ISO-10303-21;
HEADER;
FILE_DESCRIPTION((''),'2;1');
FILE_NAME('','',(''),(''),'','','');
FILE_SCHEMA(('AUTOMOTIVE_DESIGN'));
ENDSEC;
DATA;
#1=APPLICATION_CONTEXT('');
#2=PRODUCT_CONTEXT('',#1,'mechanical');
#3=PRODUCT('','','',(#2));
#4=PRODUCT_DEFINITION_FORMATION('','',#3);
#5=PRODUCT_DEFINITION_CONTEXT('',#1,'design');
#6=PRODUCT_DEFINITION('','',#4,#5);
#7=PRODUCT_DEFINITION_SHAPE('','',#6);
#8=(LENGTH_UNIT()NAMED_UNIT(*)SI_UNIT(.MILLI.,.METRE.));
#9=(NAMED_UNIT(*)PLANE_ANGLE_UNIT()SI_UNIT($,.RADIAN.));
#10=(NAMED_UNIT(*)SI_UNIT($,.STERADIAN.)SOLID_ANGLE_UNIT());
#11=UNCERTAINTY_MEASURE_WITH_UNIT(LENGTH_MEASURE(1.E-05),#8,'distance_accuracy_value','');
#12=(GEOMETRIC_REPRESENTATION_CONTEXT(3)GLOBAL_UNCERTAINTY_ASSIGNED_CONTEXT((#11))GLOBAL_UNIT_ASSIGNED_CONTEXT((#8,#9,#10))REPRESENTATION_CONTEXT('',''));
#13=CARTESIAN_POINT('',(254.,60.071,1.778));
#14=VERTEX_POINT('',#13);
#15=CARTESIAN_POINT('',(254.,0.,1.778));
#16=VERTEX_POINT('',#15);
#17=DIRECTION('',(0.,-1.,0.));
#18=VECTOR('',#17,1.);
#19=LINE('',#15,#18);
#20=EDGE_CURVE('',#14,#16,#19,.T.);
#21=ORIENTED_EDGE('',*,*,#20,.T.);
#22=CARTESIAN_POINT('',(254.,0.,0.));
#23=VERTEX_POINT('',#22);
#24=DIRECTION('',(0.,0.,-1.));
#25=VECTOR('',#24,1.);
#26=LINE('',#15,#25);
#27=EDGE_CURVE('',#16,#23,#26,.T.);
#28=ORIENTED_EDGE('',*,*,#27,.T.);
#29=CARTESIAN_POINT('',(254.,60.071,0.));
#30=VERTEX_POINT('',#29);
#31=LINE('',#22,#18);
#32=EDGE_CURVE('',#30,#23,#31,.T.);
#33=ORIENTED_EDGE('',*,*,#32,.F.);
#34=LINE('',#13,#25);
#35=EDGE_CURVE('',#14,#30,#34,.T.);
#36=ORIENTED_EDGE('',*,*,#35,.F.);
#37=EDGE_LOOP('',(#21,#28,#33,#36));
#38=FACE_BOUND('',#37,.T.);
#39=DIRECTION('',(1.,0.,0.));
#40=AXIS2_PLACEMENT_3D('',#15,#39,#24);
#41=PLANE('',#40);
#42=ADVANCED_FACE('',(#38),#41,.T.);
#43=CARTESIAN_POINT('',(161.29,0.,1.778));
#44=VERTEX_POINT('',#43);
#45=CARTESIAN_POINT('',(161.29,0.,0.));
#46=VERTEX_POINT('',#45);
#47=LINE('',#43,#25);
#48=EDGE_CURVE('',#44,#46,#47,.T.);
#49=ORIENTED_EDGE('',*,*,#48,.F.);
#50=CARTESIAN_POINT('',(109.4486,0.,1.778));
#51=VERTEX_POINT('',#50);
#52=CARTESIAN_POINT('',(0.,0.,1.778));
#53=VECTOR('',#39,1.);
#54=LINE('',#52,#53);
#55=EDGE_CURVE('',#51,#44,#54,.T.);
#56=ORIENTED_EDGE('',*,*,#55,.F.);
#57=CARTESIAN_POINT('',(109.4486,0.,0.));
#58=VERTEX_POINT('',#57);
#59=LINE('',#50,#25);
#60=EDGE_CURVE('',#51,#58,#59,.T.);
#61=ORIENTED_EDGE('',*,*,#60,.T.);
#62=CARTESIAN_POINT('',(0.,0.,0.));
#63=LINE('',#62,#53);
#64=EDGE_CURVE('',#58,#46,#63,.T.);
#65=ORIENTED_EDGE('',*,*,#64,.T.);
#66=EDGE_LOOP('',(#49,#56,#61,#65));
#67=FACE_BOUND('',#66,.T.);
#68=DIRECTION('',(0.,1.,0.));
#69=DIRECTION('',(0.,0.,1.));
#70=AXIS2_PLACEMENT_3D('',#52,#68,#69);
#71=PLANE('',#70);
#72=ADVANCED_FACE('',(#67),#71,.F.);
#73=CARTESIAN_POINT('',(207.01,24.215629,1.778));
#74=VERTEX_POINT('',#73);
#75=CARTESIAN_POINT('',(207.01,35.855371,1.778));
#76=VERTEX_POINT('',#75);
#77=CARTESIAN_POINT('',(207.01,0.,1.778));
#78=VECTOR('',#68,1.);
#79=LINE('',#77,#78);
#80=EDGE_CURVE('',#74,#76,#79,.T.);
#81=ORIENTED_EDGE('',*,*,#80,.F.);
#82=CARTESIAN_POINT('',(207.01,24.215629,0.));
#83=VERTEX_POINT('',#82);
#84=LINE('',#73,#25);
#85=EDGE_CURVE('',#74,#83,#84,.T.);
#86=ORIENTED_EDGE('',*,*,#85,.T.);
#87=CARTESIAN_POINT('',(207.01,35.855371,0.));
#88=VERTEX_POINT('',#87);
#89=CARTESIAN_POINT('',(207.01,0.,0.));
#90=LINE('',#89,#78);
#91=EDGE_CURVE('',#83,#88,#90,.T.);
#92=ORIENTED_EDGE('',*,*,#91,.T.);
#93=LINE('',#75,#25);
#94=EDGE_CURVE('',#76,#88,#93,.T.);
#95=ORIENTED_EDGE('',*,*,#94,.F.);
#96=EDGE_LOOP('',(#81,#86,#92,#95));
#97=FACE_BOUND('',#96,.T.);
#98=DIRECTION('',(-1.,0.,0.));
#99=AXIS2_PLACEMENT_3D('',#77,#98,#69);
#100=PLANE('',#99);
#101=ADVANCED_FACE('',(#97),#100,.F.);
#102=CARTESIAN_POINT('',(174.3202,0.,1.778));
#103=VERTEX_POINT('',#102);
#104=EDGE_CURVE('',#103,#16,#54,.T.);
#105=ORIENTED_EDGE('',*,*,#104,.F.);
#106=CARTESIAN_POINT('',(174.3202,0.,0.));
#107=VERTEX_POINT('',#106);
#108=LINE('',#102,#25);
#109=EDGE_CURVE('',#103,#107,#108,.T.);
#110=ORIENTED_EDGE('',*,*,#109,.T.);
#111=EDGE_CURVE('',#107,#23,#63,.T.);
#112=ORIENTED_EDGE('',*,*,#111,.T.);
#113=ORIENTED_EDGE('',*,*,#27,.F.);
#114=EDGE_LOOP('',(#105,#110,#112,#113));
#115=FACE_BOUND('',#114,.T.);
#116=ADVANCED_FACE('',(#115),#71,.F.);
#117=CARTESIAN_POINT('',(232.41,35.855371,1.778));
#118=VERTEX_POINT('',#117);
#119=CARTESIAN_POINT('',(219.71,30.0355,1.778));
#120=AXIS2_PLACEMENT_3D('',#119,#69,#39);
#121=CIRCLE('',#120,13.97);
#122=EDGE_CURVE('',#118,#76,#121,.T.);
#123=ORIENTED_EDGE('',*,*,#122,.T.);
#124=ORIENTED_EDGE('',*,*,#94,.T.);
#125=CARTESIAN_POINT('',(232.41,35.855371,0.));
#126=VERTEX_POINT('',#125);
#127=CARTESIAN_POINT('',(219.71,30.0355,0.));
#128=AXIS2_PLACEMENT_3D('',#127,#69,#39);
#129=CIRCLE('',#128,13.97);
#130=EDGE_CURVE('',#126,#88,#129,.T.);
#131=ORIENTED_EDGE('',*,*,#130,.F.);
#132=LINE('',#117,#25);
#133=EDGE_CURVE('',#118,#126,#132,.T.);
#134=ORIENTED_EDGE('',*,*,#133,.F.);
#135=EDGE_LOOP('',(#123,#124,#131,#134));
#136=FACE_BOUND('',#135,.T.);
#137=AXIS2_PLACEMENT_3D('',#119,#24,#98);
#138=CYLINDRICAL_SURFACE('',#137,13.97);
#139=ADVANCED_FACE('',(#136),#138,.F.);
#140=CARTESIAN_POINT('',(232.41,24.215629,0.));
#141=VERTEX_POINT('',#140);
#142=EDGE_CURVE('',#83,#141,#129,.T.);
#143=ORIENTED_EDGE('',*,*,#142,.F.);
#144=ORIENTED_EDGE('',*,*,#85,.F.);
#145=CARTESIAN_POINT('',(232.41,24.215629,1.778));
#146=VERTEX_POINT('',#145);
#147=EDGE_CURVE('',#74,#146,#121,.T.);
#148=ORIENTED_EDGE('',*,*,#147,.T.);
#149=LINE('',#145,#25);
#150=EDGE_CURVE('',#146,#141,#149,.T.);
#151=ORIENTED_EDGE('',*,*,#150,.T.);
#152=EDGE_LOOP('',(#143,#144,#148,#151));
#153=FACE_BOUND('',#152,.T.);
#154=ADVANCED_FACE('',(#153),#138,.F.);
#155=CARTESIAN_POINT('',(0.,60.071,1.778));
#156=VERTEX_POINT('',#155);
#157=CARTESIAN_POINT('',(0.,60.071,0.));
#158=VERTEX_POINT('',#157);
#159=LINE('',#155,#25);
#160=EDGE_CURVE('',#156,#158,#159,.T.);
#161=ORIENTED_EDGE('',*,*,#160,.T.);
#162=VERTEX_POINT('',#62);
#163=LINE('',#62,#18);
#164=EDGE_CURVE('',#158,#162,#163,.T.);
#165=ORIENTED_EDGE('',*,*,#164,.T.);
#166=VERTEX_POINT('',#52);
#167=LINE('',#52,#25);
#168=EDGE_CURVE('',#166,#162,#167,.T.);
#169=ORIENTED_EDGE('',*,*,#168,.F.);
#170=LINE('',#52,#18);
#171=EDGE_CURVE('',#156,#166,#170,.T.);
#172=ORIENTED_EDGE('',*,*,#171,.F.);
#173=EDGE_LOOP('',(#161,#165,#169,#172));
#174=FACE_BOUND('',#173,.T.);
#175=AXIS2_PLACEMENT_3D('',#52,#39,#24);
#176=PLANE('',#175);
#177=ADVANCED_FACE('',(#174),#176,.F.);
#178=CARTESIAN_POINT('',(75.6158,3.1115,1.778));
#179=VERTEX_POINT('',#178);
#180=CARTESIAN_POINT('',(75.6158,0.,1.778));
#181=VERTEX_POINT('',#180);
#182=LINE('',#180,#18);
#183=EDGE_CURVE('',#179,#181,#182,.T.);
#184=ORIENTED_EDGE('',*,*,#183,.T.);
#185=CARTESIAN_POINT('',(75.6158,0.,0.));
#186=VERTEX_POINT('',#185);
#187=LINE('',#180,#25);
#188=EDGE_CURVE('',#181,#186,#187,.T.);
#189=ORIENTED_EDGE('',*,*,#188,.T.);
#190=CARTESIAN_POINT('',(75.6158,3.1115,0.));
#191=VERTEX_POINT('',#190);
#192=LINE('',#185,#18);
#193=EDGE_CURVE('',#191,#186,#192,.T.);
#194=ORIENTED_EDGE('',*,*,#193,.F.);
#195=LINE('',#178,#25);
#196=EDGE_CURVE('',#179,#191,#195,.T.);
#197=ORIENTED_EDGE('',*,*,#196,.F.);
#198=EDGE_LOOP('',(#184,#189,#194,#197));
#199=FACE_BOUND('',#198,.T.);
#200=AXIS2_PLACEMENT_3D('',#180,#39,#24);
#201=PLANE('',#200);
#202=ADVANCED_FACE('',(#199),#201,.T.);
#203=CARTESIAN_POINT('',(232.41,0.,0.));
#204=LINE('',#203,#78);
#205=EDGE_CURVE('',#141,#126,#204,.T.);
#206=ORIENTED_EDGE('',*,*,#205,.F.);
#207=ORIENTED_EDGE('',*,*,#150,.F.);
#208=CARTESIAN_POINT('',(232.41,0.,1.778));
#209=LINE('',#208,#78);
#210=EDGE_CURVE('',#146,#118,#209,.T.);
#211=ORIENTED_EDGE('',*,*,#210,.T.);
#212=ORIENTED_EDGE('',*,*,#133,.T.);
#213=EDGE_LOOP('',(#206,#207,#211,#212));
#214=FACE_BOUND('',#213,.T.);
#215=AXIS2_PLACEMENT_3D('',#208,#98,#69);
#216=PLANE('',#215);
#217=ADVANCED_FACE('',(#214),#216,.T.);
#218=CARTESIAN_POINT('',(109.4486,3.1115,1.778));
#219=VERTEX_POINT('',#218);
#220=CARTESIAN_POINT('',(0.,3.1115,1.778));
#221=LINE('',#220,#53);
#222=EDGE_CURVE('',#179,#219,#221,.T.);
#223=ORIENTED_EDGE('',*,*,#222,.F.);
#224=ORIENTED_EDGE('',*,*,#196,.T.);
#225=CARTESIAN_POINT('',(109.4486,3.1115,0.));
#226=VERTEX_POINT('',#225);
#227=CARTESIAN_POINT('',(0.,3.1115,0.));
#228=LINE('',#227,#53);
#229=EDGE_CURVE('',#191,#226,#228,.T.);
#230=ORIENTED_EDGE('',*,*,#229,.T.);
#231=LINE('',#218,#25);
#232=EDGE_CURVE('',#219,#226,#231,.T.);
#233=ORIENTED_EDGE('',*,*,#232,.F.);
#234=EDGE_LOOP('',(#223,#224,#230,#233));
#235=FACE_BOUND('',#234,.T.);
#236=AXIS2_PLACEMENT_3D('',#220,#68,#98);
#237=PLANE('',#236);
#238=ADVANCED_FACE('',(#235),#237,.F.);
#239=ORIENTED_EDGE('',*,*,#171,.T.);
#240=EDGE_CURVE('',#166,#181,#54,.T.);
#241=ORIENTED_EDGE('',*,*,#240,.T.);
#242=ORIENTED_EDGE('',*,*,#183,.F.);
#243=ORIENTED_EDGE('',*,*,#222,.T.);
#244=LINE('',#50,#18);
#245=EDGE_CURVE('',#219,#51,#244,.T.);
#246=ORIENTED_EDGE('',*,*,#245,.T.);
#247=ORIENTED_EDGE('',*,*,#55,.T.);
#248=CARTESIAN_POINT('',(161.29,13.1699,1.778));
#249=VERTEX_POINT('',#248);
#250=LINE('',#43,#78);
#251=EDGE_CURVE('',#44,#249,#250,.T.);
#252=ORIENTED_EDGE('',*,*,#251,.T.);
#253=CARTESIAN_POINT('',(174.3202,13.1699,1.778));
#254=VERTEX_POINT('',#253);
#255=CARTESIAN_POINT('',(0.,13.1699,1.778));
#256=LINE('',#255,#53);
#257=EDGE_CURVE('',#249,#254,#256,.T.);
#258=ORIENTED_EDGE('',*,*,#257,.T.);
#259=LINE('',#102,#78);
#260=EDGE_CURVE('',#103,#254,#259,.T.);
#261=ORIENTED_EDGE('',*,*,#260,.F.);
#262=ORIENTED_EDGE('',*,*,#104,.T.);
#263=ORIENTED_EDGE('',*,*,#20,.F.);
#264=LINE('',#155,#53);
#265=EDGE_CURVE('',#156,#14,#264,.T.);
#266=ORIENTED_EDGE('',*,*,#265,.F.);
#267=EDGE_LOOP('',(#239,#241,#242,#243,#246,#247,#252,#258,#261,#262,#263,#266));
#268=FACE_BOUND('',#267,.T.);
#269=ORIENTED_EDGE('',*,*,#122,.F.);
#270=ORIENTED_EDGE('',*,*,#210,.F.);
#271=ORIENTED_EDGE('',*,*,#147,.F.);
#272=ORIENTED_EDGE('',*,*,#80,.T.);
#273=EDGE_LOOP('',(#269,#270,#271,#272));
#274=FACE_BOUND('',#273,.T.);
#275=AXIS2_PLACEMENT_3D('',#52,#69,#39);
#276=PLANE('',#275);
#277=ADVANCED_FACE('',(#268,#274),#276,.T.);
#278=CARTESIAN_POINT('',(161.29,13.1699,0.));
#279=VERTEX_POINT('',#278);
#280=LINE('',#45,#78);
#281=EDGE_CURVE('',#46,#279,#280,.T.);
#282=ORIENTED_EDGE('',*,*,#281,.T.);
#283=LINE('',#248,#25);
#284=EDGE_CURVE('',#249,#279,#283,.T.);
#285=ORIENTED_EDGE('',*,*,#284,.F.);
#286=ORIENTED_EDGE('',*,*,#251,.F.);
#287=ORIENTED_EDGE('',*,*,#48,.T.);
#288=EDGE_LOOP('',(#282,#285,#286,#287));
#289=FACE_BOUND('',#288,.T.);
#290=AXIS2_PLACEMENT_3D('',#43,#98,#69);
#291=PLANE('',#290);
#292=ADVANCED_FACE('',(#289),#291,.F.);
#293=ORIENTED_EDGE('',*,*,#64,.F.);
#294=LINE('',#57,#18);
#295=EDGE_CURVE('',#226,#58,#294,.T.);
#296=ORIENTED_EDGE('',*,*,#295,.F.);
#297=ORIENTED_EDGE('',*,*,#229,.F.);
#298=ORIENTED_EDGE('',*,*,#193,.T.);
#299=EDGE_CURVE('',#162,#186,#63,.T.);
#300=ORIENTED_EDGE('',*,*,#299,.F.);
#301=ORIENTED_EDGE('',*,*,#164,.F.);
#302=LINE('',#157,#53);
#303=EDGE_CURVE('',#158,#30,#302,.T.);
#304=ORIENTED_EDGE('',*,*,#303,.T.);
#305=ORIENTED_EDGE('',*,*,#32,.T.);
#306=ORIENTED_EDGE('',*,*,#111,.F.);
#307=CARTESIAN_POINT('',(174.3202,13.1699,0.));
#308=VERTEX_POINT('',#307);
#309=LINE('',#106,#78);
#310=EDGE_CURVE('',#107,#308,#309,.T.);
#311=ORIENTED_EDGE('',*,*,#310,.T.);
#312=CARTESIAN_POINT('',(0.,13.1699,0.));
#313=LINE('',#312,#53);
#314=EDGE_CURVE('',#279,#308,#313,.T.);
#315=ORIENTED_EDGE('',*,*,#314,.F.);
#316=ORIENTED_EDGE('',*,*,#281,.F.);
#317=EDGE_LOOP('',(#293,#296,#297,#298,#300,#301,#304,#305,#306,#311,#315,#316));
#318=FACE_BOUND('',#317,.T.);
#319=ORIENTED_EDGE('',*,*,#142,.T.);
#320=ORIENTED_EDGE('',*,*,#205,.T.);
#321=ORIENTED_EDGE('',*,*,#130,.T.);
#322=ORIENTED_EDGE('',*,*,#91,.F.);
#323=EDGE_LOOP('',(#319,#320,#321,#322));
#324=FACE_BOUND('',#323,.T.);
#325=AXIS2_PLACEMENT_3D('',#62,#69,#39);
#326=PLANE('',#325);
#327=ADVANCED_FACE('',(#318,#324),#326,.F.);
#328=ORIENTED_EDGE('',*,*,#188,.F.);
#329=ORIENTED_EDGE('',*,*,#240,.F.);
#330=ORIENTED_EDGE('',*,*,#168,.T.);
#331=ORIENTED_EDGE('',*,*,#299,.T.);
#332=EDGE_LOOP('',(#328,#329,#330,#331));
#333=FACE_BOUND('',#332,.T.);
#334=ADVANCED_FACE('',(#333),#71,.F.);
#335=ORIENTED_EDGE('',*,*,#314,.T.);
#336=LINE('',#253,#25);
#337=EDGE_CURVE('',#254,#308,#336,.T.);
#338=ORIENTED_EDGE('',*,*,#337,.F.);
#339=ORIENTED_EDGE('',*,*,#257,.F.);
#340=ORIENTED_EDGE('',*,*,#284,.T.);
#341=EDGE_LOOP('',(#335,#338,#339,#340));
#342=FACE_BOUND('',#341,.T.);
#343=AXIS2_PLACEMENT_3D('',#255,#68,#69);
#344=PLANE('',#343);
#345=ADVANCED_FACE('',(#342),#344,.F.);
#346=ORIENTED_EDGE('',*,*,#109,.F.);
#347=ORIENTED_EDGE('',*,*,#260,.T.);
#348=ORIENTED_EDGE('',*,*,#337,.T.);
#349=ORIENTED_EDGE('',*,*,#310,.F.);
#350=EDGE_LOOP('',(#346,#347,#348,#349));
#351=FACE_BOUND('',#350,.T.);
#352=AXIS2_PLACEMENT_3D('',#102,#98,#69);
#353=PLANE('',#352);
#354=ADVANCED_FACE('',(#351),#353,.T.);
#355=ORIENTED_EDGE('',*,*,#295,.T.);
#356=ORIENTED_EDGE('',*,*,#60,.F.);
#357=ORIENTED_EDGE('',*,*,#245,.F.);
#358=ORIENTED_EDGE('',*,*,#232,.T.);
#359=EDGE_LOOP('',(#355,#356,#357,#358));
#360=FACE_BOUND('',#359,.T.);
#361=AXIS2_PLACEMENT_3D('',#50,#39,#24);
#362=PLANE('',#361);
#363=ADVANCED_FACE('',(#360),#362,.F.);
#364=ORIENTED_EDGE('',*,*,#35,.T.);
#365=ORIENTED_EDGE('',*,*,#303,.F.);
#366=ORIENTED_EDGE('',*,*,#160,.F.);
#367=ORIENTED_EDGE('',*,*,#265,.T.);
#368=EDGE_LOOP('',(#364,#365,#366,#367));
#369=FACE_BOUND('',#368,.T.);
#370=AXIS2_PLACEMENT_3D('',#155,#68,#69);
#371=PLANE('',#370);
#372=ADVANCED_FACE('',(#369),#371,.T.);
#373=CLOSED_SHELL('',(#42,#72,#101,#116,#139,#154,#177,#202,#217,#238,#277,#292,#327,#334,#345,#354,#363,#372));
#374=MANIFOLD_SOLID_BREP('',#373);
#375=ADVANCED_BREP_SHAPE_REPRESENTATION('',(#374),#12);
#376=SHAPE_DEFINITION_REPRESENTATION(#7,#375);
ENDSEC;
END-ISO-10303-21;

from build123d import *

# Parameters (mm, degrees)
BOSS_EXTRUDE2_DEPTH = 1.778


with BuildPart() as part:
    # Sketch1 → Boss-Extrude2 (new body)
    with BuildSketch(Plane.XY):
        Polygon((109.4486, 0), (161.29, 0), (161.29, 13.1699), (174.3202, 13.1699), (174.3202, 0), (254, 0), (254, 60.071), (0, 60.071), (0, 0), (75.6158, 0), (75.6158, 3.1115), (109.4486, 3.1115), align=None)
        with BuildLine():
            Line((232.41, 35.855371133), (232.41, 24.215628867))
            ThreePointArc((232.41, 24.215628867), (219.71, 16.0655), (207.01, 24.215628867))
            Line((207.01, 24.215628867), (207.01, 35.855371133))
            ThreePointArc((207.01, 35.855371133), (219.71, 44.0055), (232.41, 35.855371133))
        make_face(mode=Mode.SUBTRACT)
    extrude(amount=BOSS_EXTRUDE2_DEPTH)


solid = part.part
